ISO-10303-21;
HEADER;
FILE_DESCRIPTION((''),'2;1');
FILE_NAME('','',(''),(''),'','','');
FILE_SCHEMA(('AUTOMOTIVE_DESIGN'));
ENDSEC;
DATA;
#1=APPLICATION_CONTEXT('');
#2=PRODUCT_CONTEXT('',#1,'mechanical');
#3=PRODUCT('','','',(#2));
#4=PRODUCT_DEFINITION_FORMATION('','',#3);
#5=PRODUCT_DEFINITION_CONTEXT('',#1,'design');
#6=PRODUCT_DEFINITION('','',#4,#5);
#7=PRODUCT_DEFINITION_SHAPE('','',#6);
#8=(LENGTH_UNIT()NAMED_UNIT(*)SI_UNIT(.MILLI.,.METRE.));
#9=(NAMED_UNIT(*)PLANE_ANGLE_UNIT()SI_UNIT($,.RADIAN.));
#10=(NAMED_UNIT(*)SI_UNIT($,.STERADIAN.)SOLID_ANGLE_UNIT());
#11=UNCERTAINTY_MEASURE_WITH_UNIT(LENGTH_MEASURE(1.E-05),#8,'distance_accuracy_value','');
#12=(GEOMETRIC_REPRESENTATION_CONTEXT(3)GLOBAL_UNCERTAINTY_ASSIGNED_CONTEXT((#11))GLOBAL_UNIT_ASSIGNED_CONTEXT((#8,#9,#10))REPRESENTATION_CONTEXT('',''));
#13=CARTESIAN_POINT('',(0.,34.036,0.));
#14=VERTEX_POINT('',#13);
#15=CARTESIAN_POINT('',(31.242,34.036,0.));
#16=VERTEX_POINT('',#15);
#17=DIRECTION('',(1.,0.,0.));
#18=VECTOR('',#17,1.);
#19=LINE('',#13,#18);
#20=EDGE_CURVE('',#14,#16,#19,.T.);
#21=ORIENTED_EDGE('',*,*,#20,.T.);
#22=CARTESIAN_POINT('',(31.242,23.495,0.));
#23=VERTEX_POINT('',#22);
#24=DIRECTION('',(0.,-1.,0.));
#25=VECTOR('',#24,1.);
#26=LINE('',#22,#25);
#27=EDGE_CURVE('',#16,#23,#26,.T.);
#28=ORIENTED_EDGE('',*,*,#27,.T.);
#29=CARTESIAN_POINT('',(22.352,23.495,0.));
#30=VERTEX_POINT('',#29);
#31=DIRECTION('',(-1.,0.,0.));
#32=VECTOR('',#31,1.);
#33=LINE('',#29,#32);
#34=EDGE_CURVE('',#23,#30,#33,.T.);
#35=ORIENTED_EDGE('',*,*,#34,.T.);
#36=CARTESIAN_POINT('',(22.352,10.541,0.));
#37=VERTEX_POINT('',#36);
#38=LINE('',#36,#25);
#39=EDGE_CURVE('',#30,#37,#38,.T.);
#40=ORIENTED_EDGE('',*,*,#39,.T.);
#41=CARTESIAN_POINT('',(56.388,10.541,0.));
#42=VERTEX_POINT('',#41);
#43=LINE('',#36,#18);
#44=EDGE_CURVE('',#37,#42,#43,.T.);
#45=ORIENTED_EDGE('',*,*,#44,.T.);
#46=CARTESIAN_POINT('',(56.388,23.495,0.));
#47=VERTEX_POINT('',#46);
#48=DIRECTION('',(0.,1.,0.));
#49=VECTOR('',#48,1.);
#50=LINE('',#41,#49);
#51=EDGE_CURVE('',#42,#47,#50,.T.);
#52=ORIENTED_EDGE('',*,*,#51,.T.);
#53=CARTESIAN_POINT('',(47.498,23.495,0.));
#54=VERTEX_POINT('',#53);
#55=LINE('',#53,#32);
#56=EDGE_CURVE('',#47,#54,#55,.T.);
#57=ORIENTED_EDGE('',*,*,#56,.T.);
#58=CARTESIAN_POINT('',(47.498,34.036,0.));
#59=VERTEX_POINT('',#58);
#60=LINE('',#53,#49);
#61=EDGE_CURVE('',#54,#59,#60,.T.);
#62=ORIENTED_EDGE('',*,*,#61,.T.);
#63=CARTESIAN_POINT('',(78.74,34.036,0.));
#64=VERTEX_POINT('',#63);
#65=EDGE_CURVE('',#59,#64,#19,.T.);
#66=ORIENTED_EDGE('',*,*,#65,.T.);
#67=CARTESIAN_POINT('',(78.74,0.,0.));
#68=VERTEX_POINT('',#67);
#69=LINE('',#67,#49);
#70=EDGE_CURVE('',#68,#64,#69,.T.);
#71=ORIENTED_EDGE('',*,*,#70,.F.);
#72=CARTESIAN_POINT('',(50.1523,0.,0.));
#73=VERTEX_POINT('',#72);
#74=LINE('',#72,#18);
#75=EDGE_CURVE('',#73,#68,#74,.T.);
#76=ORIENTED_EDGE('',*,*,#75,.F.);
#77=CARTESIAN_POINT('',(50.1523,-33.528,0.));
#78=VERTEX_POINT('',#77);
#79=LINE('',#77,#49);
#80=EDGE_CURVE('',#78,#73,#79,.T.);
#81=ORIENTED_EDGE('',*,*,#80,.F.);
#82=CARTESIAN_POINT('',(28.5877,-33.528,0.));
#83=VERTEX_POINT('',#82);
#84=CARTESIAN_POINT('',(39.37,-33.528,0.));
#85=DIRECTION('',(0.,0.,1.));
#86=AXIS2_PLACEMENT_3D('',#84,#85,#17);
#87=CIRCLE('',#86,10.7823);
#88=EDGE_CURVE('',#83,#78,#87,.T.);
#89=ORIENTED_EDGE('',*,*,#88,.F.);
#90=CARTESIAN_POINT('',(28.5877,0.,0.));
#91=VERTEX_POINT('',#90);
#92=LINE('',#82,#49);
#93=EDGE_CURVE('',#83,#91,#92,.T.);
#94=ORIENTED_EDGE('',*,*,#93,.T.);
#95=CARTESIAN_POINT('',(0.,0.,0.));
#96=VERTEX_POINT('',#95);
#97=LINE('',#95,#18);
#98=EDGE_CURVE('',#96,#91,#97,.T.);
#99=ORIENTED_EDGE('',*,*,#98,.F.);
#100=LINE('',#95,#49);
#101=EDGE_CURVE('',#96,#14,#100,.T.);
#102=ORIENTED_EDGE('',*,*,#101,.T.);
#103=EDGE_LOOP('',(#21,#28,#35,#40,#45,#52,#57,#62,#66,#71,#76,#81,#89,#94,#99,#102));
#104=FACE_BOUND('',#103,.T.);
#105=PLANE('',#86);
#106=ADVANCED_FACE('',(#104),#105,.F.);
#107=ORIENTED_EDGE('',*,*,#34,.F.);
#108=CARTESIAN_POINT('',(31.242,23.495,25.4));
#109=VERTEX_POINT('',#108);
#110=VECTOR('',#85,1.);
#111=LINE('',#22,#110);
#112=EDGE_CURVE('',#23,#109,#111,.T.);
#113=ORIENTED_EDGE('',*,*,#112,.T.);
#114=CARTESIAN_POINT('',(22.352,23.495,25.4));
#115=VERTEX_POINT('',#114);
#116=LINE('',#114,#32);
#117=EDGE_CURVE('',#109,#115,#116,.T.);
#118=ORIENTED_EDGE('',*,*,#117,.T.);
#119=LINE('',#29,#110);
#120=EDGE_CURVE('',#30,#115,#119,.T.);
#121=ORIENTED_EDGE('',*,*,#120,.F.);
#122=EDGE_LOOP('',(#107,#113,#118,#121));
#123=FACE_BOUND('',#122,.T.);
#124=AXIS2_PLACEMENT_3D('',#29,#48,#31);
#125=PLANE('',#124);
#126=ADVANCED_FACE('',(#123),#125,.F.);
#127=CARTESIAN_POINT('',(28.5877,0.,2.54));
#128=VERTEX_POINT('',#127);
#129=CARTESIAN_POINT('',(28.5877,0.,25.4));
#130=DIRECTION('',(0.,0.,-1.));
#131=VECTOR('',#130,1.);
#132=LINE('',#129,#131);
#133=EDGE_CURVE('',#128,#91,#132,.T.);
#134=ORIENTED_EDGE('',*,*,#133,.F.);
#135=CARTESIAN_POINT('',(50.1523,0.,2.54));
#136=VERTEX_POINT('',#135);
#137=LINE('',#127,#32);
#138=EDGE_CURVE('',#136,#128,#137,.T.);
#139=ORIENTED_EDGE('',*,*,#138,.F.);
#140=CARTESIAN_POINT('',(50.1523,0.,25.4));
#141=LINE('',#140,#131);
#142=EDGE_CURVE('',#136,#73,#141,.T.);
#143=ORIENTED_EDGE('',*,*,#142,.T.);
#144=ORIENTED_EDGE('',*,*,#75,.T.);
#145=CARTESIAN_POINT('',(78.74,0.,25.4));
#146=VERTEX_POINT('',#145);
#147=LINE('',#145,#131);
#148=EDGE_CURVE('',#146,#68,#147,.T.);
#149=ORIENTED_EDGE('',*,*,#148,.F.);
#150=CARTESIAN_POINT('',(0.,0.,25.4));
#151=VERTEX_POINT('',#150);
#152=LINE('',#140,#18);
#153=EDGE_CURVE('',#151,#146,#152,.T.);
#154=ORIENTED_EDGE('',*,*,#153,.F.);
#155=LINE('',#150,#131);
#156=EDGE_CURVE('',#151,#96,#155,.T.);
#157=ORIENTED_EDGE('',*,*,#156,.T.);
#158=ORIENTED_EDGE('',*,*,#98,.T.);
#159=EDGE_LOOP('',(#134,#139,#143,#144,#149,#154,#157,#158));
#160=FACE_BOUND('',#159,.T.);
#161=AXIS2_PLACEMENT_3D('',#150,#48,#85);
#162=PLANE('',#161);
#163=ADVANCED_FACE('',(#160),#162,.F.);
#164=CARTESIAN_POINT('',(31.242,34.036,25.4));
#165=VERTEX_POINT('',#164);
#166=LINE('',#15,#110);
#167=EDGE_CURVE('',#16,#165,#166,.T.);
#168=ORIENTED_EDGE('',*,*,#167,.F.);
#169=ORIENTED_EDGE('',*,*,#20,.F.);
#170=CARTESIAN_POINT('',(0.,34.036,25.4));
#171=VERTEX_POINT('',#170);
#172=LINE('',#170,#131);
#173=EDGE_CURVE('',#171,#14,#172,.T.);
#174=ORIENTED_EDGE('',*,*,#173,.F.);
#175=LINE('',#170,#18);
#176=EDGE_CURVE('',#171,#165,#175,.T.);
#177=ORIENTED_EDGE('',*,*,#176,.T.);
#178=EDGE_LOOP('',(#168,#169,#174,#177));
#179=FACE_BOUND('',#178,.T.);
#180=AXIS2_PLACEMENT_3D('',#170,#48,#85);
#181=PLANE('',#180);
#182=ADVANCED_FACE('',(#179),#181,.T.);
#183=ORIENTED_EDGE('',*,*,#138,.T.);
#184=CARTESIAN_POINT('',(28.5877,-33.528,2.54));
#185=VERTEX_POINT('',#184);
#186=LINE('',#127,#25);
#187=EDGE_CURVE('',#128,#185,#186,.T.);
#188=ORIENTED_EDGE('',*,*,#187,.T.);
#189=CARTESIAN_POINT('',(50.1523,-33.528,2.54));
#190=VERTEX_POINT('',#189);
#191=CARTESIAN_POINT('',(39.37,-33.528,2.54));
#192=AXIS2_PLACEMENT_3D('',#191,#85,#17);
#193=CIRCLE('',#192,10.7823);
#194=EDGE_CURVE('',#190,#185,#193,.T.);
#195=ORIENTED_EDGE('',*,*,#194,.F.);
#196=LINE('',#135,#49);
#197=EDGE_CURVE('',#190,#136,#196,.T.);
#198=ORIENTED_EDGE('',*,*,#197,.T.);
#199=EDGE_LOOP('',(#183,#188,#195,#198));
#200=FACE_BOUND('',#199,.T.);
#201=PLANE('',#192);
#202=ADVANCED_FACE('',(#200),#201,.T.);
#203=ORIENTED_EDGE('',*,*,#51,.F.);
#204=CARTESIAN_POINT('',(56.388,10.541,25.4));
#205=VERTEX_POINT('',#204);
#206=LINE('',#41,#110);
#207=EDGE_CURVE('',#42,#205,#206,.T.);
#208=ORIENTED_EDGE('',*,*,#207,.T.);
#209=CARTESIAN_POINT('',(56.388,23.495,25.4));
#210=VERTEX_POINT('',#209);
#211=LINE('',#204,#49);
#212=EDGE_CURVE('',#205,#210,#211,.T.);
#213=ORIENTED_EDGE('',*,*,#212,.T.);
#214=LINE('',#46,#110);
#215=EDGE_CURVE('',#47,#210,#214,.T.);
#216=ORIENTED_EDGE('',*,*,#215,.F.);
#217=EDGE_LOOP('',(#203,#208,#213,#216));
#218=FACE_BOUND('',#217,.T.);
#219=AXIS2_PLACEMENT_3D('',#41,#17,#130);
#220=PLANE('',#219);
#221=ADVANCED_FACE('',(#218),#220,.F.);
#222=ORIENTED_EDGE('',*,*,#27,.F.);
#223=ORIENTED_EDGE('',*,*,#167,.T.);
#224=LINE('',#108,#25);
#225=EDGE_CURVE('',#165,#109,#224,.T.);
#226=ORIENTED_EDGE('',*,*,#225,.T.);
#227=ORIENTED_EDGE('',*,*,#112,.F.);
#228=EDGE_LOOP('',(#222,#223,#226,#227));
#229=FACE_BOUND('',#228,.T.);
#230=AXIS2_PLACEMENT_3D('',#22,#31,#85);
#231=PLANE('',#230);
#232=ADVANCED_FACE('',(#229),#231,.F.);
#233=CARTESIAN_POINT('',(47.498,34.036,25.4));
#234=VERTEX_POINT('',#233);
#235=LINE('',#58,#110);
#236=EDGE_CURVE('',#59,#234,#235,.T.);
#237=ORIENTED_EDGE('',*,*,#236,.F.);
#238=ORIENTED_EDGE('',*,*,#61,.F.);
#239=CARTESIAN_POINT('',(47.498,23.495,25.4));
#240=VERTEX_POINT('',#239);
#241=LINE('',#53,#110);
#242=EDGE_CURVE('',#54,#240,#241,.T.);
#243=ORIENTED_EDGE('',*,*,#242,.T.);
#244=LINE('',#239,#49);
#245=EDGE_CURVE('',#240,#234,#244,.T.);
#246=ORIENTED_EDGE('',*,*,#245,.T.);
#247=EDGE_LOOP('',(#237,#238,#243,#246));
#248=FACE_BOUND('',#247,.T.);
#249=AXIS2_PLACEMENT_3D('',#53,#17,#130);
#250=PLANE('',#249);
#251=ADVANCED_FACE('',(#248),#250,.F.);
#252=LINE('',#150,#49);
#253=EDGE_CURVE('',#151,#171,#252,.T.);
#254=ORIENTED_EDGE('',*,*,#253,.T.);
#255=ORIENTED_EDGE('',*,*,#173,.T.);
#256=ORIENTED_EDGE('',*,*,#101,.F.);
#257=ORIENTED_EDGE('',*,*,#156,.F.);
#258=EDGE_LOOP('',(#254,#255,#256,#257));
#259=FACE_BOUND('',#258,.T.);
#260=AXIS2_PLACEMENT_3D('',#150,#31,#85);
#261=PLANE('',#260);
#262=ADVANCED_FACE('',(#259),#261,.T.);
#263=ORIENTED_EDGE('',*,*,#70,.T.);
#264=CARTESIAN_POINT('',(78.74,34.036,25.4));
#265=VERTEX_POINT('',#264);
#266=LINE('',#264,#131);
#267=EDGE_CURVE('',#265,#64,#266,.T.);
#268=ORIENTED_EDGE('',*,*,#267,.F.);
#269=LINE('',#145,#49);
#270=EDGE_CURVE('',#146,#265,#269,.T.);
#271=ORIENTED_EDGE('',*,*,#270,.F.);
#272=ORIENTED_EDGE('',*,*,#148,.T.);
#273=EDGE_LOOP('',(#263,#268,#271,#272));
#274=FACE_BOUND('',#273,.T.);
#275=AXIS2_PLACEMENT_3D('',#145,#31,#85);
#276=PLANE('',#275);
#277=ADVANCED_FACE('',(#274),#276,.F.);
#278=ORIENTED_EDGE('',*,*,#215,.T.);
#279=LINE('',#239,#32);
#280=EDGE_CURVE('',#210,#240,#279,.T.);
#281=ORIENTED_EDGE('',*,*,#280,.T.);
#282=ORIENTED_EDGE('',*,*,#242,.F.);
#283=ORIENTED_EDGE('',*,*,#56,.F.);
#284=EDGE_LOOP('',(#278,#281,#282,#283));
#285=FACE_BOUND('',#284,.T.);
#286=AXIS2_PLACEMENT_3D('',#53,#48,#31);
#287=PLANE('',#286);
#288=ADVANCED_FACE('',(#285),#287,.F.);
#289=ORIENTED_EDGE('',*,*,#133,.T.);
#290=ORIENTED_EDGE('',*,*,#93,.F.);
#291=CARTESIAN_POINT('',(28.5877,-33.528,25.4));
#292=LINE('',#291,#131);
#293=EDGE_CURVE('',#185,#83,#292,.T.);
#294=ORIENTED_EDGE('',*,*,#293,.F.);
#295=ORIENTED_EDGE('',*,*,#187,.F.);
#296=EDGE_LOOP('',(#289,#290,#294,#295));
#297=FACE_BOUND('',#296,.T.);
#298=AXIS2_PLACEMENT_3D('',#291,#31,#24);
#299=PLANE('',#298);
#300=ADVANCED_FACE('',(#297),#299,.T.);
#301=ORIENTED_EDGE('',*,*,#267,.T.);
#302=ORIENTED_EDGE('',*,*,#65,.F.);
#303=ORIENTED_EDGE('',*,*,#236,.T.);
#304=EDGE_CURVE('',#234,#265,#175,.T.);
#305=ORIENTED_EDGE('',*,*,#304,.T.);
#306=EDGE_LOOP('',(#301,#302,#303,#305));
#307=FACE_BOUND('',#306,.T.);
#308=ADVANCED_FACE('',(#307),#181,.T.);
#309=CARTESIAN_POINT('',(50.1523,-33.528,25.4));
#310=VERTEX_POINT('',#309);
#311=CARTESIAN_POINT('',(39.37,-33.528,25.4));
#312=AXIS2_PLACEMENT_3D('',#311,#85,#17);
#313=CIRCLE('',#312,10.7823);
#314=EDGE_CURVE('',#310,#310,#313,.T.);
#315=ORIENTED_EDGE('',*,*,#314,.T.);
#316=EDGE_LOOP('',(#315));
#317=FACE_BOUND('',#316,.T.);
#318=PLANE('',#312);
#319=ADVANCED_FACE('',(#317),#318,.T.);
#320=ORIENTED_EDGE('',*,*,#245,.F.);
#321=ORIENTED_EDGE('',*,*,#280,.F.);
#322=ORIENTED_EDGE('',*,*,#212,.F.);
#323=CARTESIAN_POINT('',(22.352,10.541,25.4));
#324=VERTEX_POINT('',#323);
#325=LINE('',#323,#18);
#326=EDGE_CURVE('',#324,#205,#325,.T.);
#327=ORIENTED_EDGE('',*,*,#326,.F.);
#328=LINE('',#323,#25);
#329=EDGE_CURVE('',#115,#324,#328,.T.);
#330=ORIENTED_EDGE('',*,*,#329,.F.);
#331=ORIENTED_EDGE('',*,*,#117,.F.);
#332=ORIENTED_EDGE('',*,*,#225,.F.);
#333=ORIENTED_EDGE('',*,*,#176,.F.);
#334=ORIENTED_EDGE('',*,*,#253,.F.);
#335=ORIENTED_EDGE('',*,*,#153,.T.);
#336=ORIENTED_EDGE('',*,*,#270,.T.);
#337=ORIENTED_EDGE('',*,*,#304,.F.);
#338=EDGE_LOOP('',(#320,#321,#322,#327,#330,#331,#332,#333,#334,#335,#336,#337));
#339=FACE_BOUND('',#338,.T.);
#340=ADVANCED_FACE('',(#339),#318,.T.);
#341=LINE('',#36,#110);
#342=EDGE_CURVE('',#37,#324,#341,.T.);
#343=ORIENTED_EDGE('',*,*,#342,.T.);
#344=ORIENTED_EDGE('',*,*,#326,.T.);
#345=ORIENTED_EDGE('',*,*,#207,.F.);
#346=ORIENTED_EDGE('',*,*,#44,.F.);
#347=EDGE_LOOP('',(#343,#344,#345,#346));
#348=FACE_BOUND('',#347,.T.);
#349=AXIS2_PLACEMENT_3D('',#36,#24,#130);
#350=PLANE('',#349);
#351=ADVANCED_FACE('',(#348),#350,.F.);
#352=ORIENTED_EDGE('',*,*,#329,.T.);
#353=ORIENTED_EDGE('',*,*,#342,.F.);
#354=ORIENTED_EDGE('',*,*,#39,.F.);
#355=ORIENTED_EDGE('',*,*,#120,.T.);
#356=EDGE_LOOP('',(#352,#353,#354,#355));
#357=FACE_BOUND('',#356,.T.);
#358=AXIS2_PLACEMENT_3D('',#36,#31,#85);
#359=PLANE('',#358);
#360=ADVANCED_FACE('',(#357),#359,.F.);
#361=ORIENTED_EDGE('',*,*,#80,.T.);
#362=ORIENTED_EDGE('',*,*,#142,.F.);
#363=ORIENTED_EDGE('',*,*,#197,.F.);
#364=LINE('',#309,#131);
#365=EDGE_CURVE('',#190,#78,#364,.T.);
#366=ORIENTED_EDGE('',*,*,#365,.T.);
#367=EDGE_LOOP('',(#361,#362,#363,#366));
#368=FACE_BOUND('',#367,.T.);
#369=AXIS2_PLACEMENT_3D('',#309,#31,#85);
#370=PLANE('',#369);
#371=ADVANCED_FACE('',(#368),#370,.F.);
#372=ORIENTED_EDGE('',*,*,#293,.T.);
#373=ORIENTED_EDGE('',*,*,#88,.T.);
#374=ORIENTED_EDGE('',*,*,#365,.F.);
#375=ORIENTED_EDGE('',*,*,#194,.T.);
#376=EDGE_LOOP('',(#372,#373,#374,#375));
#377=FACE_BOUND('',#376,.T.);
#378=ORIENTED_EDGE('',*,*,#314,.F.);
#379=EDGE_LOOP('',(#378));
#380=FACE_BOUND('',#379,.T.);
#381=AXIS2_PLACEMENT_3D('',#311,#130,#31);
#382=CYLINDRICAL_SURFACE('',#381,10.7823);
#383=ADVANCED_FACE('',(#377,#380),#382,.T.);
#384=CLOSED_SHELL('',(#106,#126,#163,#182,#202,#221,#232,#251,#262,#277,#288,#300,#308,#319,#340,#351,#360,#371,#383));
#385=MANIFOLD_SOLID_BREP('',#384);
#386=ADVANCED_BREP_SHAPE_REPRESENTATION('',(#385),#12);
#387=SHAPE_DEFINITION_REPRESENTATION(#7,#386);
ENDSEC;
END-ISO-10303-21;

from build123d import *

# Parameters (mm, degrees)
BOSS_EXTRUDE3_DEPTH = 25.4
CUT_EXTRUDE2_DEPTH  = 94.85387731
CUT_EXTRUDE3_START  = -22.86
CUT_EXTRUDE3_DEPTH  = 22.86
SKETCH8_R           = 10.7823
BOSS_EXTRUDE4_DEPTH = 22.86


with BuildPart() as part:
    # Sketch4 → Boss-Extrude3 (new body)
    with BuildSketch(Plane.XY):
        with BuildLine():
            Line((0, 0), (28.5877, 0))
            Line((28.5877, 0), (28.5877, -33.528))
            ThreePointArc((28.5877, -33.528), (39.37, -44.3103), (50.1523, -33.528))
            Line((50.1523, -33.528), (50.1523, 0))
            Line((50.1523, 0), (78.74, 0))
            Line((78.74, 0), (78.74, 34.036))
            Line((78.74, 34.036), (0, 34.036))
            Line((0, 34.036), (0, 0))
        make_face()
    extrude(amount=BOSS_EXTRUDE3_DEPTH)

    # Sketch5 → Cut-Extrude2 (cut, through all)
    with BuildSketch(Plane.XY.offset(25.4)):
        Polygon((47.498, 23.495), (56.388, 23.495), (56.388, 10.541), (22.352, 10.541), (22.352, 23.495), (31.242, 23.495), (31.242, 34.036), (47.498, 34.036), align=None)
    extrude(amount=-CUT_EXTRUDE2_DEPTH, mode=Mode.SUBTRACT)

    # Sketch7 → Cut-Extrude3 (cut)
    with BuildSketch(Plane.XY.offset(25.4).offset(CUT_EXTRUDE3_START)):
        with BuildLine():
            Line((28.5877, 0), (50.1523, 0))
            Line((50.1523, 0), (50.1523, -33.528))
            ThreePointArc((50.1523, -33.528), (39.37, -44.3103), (28.5877, -33.528))
            Line((28.5877, -33.528), (28.5877, 0))
        make_face()
    extrude(amount=CUT_EXTRUDE3_DEPTH, mode=Mode.SUBTRACT)

    # Sketch8 → Boss-Extrude4 (add)
    with BuildSketch(Plane.XY.offset(2.54)):
        with Locations((39.37, -33.528)):
            Circle(SKETCH8_R)
    extrude(amount=BOSS_EXTRUDE4_DEPTH)


solid = part.part
